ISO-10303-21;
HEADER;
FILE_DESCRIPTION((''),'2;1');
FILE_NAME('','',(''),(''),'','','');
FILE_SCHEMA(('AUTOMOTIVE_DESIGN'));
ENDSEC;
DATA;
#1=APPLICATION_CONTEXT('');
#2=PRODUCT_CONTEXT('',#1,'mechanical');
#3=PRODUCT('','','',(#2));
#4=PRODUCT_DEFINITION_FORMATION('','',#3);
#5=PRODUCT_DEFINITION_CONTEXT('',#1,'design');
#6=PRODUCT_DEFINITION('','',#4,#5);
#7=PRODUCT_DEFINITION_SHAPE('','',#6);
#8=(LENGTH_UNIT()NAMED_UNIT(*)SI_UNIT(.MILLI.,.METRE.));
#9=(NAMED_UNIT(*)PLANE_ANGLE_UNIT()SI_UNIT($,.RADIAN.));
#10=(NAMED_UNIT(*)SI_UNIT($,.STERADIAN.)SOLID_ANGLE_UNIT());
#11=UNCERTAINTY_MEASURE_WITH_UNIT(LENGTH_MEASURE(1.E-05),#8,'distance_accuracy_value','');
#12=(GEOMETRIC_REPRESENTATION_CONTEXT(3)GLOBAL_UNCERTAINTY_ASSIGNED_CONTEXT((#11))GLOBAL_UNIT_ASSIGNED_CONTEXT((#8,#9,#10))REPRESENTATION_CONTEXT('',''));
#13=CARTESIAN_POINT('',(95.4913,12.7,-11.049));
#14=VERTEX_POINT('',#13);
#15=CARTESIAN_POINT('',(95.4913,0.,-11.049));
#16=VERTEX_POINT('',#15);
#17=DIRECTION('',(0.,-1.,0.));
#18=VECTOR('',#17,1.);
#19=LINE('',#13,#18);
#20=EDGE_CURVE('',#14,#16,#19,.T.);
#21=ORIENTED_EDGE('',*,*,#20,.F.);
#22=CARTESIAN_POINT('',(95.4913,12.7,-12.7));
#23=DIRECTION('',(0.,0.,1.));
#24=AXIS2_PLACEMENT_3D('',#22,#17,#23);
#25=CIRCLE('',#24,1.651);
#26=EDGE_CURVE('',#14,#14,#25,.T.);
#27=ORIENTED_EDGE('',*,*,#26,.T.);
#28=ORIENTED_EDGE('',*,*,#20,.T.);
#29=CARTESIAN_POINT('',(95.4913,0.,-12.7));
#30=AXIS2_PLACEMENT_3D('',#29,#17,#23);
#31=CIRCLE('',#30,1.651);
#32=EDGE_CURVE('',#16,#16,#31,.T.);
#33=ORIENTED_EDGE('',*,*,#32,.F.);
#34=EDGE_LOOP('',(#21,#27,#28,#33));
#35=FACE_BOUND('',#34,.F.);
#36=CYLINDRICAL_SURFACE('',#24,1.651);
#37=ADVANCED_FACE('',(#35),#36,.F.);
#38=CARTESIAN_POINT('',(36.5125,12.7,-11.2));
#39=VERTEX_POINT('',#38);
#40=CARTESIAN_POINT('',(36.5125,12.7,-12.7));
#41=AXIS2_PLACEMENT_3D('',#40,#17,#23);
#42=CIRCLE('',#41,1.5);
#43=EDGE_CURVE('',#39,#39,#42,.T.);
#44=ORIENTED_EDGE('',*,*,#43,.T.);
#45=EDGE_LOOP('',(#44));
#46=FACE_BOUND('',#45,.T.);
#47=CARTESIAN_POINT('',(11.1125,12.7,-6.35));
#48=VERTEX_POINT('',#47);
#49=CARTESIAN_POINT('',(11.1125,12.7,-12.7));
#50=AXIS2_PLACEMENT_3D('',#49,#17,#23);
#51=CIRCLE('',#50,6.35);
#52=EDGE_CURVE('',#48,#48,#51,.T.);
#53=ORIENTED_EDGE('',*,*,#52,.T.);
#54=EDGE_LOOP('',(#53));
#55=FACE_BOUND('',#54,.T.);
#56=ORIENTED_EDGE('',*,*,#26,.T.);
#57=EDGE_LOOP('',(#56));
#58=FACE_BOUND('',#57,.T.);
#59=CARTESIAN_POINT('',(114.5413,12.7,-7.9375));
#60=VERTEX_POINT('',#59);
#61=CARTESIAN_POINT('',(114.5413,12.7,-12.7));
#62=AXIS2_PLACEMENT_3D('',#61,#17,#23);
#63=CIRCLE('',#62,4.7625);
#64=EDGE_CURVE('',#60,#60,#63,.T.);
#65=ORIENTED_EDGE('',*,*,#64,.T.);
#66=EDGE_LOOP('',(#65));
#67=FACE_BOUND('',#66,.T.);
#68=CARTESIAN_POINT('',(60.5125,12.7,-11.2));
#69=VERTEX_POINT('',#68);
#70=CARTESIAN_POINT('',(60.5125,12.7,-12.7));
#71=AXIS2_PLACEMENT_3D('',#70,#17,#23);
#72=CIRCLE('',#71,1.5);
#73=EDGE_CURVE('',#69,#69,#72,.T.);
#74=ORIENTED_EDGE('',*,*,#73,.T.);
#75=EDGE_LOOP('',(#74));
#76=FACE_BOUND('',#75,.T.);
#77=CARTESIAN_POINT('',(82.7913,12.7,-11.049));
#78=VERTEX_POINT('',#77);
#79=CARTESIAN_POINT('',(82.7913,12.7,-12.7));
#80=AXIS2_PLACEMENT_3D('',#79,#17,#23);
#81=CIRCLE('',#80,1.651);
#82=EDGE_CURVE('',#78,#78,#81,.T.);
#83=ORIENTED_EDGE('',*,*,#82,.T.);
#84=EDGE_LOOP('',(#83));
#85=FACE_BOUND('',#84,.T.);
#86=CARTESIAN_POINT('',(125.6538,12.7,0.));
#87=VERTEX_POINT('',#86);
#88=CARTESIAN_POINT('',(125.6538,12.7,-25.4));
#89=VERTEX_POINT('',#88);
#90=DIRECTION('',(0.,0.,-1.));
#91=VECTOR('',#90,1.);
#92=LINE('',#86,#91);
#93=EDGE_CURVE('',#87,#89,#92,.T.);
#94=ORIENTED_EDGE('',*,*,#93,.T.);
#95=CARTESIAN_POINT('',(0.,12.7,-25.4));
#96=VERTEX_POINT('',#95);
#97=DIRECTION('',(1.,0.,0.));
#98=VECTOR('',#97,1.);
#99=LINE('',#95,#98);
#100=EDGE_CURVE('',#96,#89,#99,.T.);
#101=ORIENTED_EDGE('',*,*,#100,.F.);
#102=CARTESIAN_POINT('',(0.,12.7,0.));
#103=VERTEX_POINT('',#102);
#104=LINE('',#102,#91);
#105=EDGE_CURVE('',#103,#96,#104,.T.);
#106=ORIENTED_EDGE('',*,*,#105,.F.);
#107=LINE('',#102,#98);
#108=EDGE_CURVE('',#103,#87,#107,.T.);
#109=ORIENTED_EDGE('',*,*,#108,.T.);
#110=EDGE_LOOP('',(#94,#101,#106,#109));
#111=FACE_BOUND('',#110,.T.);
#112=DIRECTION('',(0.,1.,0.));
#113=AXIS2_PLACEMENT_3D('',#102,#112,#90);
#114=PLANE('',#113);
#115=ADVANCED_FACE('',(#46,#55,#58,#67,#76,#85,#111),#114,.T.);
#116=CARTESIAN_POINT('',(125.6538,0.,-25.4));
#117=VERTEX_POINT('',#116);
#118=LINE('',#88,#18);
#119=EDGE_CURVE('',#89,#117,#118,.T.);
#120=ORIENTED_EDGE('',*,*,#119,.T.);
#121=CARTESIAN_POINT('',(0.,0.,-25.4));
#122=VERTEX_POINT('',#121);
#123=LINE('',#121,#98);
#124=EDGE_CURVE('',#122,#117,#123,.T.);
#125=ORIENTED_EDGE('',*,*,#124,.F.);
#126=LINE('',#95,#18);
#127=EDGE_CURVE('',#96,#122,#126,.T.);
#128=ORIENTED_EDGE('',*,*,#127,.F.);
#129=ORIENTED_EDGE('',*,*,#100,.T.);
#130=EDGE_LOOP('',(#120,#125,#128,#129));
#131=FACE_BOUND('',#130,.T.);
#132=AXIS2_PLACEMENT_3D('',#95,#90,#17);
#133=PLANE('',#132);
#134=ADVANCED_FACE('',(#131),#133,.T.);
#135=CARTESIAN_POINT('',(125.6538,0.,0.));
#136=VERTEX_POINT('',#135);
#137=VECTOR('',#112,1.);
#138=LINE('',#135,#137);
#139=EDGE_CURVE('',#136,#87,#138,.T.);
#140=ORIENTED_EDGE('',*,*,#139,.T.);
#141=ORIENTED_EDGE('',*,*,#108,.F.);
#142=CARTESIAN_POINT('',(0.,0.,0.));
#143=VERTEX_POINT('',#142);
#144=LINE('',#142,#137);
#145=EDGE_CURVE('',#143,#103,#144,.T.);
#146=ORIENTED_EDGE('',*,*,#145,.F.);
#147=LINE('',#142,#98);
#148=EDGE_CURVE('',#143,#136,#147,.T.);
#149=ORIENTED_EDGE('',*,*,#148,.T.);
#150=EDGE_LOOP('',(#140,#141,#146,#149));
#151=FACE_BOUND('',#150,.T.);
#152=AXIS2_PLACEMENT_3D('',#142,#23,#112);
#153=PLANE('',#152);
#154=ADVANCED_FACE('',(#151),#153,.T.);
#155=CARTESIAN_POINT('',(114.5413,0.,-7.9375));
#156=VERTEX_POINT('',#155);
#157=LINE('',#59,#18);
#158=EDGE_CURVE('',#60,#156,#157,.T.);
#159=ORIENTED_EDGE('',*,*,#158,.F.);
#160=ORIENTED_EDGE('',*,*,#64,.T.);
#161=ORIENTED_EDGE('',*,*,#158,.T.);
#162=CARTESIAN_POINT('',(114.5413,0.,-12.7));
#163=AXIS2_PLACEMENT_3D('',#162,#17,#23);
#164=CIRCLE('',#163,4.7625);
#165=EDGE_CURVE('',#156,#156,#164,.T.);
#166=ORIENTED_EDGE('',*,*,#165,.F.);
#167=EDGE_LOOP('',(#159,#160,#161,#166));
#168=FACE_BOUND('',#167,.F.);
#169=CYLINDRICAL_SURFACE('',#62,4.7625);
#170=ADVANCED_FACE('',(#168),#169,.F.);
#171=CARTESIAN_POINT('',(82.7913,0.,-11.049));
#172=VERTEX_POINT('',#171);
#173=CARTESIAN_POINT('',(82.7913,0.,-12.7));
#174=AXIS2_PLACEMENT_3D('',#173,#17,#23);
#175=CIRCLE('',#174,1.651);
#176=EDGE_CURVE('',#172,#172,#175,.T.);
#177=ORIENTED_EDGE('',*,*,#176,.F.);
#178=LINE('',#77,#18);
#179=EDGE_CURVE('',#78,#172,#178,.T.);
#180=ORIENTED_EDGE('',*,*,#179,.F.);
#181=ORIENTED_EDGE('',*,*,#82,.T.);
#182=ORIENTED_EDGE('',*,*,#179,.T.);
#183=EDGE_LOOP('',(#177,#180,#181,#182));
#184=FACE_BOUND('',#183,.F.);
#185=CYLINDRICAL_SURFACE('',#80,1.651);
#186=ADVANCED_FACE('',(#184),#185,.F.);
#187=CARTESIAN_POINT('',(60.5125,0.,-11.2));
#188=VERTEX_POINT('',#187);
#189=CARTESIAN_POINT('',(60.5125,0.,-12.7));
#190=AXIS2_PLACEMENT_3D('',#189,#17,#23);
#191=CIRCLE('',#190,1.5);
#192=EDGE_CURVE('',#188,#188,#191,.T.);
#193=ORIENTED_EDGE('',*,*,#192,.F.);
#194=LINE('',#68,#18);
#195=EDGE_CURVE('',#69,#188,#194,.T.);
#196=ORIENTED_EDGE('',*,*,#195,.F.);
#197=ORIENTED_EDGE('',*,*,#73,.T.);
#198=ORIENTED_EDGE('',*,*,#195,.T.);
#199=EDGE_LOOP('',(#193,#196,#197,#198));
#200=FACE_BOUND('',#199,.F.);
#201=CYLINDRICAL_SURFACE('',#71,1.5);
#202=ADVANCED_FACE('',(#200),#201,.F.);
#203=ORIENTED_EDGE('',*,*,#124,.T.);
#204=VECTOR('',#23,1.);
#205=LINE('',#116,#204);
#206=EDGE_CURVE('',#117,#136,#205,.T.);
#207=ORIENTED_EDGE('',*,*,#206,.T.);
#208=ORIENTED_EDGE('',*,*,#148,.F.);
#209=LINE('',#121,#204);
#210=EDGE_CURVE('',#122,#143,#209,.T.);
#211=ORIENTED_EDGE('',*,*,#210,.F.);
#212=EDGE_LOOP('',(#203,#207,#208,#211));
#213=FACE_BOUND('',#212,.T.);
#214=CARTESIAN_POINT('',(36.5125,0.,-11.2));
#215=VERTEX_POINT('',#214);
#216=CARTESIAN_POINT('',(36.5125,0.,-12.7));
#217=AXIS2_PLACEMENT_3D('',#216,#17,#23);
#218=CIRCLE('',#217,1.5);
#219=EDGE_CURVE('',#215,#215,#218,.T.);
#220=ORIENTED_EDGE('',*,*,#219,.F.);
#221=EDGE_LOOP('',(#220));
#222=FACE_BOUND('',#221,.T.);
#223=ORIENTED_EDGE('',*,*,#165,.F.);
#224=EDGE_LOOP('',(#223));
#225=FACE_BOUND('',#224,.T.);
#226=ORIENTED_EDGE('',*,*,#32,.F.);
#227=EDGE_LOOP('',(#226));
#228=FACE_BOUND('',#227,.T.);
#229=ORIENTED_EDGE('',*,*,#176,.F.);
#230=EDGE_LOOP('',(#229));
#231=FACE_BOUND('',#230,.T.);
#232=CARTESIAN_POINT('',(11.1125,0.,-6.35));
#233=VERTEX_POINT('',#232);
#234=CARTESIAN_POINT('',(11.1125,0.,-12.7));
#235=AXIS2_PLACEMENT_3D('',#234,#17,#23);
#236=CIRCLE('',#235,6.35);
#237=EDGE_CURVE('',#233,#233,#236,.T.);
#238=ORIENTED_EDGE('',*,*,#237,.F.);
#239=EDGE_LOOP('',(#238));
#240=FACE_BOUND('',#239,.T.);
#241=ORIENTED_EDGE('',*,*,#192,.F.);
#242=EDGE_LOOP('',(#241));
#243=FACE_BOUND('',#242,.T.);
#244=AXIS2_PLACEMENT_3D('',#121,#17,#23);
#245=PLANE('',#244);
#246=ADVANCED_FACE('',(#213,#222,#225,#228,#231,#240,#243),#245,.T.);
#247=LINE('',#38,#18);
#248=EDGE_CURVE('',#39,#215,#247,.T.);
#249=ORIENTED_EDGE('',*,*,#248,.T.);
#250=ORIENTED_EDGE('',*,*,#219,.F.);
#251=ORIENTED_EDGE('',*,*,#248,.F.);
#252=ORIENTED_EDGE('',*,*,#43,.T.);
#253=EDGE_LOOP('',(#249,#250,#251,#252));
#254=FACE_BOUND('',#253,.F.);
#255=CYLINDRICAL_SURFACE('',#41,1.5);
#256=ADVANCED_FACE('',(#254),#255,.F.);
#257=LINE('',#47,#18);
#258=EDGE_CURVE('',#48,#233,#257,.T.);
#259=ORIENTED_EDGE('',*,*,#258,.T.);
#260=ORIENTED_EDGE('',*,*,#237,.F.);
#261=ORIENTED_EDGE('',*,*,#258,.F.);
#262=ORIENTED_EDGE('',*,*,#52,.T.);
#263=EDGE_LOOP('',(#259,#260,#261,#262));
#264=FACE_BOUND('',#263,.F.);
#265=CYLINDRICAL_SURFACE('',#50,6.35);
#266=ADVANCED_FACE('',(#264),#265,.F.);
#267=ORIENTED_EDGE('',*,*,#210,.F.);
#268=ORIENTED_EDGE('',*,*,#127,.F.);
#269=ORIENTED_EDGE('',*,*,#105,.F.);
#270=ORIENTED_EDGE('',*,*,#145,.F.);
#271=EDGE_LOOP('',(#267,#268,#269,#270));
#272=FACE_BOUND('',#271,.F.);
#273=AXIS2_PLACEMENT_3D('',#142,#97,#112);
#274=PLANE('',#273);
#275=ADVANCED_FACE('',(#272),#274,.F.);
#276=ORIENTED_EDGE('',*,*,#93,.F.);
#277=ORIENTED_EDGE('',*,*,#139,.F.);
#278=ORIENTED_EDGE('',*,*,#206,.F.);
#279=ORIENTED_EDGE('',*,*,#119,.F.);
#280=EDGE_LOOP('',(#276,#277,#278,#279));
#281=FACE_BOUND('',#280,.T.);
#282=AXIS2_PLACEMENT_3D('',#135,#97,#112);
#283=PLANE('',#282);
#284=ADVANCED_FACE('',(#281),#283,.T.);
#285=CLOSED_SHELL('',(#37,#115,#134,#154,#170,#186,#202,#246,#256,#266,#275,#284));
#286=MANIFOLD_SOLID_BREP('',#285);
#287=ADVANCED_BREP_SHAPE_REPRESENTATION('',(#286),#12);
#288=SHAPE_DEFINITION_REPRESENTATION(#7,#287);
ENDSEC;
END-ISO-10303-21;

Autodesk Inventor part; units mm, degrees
ref_plane "YZ Plane" through (0, 0, 0) normal (1, 0, 0) x (0, 1, 0)
ref_plane "XZ Plane" through (0, 0, 0) normal (0, 1, 0) x (-1, 0, 0)
ref_plane "XY Plane" through (0, 0, 0) normal (0, 0, 1) x (1, 0, 0)
sketch "Sketch1" plane through (0, 0, 0) normal (1, 0, 0) x (0, 1, 0)
  line L0 (0, 0) -> (12.7, 0)
  line L1 (12.7, 0) -> (12.7, -25.4)
  line L2 (12.7, -25.4) -> (0, -25.4)
  line L3 (0, -25.4) -> (0, 0)
  dimension "d0" = 12.7
  dimension "d1" = 25.4
extrude "Extrusion1" add sketch "Sketch1" along normal blind 125.6538
sketch "Sketch3" plane through (0, 12.7, 0) normal (0, 1, 0) x (1, 0, 0)
  line L0 (0, 0) -> (125.6538, 0) projected
  line L1 (0, 25.4) -> (125.6538, 25.4) projected
  circle A0 centre (11.1125, 12.7) radius 6.35 projected
  circle A1 centre (114.5413, 12.7) radius 6.35 projected
  point P0 (36.5125, 12.7)
  point P1 (60.5125, 12.7)
  dimension "d13" = 25.4
  dimension "d14" = 12.7
  dimension "d16" = 24
  dimension "d36" = 25.4
hole "Hole1" at (36.5125, 12.7, -12.7) at (60.5125, 12.7, -12.7) direction (0, -1, 0) diameter 3 end through all
sketch "Sketch5" plane through (0, 12.7, 0) normal (0, 1, 0) x (1, 0, 0)
  line L0 (0, 0) -> (125.6538, 0) projected
  line L1 (0, 25.4) -> (125.6538, 25.4) projected
  circle A0 centre (114.5413, 12.7) radius 6.35 projected
  point P0 (95.4913, 12.7)
  dimension "d26" = 12.7
  dimension "d27" = 25.4
  dimension "d28" = 19.05
hole "Hole2" at (95.4913, 12.7, -12.7) direction (0, -1, 0) diameter 3.302 end through all thread size "8-32 UNC" class "2B" standard "ANSI Unified Screw Threads"
sketch "Sketch12" plane through (0, 12.7, 0) normal (0, 1, 0) x (1, 0, 0)
  circle A0 centre (95.4913, 12.7) radius 1.651 projected
  circle A1 centre (36.5125, 12.7) radius 1.5 projected
  circle A2 centre (60.5125, 12.7) radius 1.5 projected
  line L0 (0, 0) -> (0, 25.4) projected
  line L1 (0, 0) -> (125.6538, 0) projected
  line L2 (125.6538, 25.4) -> (125.6538, 0) projected
  line L3 (0, 25.4) -> (125.6538, 25.4) projected
  point P0 (0, 0)
  point P1 (82.7913, 12.7)
  dimension "d77" = 12.7
  dimension "d78" = 12.7
  dimension "d79" = 12.7
hole "Hole5" at (82.7913, 12.7, -12.7) direction (0, -1, 0) diameter 3.302 end through all thread size "8-32 UNC" class "2B" standard "ANSI Unified Screw Threads"
sketch "Sketch14" plane through (0, 12.7, 0) normal (0, 1, 0) x (1, 0, 0)
  circle A0 centre (82.7913, 12.7) radius 1.651 projected
  circle A1 centre (95.4913, 12.7) radius 1.651 projected
  circle A2 centre (36.5125, 12.7) radius 1.5 projected
  circle A3 centre (60.5125, 12.7) radius 1.5 projected
  line L0 (0, 0) -> (0, 25.4) projected
  line L1 (0, 0) -> (125.6538, 0) projected
  line L2 (125.6538, 25.4) -> (125.6538, 0) projected
  line L3 (0, 25.4) -> (125.6538, 25.4) projected
  point P0 (0, 0)
  point P1 (11.1125, 12.7)
hole "Hole7" at (11.1125, 12.7, -12.7) direction (0, -1, 0) diameter 12.7 end through all
sketch "Sketch15" plane through (0, 12.7, 0) normal (0, 1, 0) x (1, 0, 0)
  circle A0 centre (11.1125, 12.7) radius 6.35 projected
  circle A1 centre (82.7913, 12.7) radius 1.651 projected
  circle A2 centre (95.4913, 12.7) radius 1.651 projected
  circle A3 centre (36.5125, 12.7) radius 1.5 projected
  circle A4 centre (60.5125, 12.7) radius 1.5 projected
  line L0 (0, 0) -> (0, 25.4) projected
  line L1 (0, 0) -> (125.6538, 0) projected
  line L2 (125.6538, 25.4) -> (125.6538, 0) projected
  line L3 (0, 25.4) -> (125.6538, 25.4) projected
  circle A5 centre (114.5413, 12.7) radius 4.7625 projected
  point P0 (0, 0)
hole "Hole8" at (114.5413, 12.7, -12.7) direction (0, -1, 0) diameter 9.525 end through all
equation "\"d14\" = 0.5 * d13"
equation "\"d26\" = 0.5 * d27"
equation "\"d79\" = d78"
properties part number "L17_TSI_005"
